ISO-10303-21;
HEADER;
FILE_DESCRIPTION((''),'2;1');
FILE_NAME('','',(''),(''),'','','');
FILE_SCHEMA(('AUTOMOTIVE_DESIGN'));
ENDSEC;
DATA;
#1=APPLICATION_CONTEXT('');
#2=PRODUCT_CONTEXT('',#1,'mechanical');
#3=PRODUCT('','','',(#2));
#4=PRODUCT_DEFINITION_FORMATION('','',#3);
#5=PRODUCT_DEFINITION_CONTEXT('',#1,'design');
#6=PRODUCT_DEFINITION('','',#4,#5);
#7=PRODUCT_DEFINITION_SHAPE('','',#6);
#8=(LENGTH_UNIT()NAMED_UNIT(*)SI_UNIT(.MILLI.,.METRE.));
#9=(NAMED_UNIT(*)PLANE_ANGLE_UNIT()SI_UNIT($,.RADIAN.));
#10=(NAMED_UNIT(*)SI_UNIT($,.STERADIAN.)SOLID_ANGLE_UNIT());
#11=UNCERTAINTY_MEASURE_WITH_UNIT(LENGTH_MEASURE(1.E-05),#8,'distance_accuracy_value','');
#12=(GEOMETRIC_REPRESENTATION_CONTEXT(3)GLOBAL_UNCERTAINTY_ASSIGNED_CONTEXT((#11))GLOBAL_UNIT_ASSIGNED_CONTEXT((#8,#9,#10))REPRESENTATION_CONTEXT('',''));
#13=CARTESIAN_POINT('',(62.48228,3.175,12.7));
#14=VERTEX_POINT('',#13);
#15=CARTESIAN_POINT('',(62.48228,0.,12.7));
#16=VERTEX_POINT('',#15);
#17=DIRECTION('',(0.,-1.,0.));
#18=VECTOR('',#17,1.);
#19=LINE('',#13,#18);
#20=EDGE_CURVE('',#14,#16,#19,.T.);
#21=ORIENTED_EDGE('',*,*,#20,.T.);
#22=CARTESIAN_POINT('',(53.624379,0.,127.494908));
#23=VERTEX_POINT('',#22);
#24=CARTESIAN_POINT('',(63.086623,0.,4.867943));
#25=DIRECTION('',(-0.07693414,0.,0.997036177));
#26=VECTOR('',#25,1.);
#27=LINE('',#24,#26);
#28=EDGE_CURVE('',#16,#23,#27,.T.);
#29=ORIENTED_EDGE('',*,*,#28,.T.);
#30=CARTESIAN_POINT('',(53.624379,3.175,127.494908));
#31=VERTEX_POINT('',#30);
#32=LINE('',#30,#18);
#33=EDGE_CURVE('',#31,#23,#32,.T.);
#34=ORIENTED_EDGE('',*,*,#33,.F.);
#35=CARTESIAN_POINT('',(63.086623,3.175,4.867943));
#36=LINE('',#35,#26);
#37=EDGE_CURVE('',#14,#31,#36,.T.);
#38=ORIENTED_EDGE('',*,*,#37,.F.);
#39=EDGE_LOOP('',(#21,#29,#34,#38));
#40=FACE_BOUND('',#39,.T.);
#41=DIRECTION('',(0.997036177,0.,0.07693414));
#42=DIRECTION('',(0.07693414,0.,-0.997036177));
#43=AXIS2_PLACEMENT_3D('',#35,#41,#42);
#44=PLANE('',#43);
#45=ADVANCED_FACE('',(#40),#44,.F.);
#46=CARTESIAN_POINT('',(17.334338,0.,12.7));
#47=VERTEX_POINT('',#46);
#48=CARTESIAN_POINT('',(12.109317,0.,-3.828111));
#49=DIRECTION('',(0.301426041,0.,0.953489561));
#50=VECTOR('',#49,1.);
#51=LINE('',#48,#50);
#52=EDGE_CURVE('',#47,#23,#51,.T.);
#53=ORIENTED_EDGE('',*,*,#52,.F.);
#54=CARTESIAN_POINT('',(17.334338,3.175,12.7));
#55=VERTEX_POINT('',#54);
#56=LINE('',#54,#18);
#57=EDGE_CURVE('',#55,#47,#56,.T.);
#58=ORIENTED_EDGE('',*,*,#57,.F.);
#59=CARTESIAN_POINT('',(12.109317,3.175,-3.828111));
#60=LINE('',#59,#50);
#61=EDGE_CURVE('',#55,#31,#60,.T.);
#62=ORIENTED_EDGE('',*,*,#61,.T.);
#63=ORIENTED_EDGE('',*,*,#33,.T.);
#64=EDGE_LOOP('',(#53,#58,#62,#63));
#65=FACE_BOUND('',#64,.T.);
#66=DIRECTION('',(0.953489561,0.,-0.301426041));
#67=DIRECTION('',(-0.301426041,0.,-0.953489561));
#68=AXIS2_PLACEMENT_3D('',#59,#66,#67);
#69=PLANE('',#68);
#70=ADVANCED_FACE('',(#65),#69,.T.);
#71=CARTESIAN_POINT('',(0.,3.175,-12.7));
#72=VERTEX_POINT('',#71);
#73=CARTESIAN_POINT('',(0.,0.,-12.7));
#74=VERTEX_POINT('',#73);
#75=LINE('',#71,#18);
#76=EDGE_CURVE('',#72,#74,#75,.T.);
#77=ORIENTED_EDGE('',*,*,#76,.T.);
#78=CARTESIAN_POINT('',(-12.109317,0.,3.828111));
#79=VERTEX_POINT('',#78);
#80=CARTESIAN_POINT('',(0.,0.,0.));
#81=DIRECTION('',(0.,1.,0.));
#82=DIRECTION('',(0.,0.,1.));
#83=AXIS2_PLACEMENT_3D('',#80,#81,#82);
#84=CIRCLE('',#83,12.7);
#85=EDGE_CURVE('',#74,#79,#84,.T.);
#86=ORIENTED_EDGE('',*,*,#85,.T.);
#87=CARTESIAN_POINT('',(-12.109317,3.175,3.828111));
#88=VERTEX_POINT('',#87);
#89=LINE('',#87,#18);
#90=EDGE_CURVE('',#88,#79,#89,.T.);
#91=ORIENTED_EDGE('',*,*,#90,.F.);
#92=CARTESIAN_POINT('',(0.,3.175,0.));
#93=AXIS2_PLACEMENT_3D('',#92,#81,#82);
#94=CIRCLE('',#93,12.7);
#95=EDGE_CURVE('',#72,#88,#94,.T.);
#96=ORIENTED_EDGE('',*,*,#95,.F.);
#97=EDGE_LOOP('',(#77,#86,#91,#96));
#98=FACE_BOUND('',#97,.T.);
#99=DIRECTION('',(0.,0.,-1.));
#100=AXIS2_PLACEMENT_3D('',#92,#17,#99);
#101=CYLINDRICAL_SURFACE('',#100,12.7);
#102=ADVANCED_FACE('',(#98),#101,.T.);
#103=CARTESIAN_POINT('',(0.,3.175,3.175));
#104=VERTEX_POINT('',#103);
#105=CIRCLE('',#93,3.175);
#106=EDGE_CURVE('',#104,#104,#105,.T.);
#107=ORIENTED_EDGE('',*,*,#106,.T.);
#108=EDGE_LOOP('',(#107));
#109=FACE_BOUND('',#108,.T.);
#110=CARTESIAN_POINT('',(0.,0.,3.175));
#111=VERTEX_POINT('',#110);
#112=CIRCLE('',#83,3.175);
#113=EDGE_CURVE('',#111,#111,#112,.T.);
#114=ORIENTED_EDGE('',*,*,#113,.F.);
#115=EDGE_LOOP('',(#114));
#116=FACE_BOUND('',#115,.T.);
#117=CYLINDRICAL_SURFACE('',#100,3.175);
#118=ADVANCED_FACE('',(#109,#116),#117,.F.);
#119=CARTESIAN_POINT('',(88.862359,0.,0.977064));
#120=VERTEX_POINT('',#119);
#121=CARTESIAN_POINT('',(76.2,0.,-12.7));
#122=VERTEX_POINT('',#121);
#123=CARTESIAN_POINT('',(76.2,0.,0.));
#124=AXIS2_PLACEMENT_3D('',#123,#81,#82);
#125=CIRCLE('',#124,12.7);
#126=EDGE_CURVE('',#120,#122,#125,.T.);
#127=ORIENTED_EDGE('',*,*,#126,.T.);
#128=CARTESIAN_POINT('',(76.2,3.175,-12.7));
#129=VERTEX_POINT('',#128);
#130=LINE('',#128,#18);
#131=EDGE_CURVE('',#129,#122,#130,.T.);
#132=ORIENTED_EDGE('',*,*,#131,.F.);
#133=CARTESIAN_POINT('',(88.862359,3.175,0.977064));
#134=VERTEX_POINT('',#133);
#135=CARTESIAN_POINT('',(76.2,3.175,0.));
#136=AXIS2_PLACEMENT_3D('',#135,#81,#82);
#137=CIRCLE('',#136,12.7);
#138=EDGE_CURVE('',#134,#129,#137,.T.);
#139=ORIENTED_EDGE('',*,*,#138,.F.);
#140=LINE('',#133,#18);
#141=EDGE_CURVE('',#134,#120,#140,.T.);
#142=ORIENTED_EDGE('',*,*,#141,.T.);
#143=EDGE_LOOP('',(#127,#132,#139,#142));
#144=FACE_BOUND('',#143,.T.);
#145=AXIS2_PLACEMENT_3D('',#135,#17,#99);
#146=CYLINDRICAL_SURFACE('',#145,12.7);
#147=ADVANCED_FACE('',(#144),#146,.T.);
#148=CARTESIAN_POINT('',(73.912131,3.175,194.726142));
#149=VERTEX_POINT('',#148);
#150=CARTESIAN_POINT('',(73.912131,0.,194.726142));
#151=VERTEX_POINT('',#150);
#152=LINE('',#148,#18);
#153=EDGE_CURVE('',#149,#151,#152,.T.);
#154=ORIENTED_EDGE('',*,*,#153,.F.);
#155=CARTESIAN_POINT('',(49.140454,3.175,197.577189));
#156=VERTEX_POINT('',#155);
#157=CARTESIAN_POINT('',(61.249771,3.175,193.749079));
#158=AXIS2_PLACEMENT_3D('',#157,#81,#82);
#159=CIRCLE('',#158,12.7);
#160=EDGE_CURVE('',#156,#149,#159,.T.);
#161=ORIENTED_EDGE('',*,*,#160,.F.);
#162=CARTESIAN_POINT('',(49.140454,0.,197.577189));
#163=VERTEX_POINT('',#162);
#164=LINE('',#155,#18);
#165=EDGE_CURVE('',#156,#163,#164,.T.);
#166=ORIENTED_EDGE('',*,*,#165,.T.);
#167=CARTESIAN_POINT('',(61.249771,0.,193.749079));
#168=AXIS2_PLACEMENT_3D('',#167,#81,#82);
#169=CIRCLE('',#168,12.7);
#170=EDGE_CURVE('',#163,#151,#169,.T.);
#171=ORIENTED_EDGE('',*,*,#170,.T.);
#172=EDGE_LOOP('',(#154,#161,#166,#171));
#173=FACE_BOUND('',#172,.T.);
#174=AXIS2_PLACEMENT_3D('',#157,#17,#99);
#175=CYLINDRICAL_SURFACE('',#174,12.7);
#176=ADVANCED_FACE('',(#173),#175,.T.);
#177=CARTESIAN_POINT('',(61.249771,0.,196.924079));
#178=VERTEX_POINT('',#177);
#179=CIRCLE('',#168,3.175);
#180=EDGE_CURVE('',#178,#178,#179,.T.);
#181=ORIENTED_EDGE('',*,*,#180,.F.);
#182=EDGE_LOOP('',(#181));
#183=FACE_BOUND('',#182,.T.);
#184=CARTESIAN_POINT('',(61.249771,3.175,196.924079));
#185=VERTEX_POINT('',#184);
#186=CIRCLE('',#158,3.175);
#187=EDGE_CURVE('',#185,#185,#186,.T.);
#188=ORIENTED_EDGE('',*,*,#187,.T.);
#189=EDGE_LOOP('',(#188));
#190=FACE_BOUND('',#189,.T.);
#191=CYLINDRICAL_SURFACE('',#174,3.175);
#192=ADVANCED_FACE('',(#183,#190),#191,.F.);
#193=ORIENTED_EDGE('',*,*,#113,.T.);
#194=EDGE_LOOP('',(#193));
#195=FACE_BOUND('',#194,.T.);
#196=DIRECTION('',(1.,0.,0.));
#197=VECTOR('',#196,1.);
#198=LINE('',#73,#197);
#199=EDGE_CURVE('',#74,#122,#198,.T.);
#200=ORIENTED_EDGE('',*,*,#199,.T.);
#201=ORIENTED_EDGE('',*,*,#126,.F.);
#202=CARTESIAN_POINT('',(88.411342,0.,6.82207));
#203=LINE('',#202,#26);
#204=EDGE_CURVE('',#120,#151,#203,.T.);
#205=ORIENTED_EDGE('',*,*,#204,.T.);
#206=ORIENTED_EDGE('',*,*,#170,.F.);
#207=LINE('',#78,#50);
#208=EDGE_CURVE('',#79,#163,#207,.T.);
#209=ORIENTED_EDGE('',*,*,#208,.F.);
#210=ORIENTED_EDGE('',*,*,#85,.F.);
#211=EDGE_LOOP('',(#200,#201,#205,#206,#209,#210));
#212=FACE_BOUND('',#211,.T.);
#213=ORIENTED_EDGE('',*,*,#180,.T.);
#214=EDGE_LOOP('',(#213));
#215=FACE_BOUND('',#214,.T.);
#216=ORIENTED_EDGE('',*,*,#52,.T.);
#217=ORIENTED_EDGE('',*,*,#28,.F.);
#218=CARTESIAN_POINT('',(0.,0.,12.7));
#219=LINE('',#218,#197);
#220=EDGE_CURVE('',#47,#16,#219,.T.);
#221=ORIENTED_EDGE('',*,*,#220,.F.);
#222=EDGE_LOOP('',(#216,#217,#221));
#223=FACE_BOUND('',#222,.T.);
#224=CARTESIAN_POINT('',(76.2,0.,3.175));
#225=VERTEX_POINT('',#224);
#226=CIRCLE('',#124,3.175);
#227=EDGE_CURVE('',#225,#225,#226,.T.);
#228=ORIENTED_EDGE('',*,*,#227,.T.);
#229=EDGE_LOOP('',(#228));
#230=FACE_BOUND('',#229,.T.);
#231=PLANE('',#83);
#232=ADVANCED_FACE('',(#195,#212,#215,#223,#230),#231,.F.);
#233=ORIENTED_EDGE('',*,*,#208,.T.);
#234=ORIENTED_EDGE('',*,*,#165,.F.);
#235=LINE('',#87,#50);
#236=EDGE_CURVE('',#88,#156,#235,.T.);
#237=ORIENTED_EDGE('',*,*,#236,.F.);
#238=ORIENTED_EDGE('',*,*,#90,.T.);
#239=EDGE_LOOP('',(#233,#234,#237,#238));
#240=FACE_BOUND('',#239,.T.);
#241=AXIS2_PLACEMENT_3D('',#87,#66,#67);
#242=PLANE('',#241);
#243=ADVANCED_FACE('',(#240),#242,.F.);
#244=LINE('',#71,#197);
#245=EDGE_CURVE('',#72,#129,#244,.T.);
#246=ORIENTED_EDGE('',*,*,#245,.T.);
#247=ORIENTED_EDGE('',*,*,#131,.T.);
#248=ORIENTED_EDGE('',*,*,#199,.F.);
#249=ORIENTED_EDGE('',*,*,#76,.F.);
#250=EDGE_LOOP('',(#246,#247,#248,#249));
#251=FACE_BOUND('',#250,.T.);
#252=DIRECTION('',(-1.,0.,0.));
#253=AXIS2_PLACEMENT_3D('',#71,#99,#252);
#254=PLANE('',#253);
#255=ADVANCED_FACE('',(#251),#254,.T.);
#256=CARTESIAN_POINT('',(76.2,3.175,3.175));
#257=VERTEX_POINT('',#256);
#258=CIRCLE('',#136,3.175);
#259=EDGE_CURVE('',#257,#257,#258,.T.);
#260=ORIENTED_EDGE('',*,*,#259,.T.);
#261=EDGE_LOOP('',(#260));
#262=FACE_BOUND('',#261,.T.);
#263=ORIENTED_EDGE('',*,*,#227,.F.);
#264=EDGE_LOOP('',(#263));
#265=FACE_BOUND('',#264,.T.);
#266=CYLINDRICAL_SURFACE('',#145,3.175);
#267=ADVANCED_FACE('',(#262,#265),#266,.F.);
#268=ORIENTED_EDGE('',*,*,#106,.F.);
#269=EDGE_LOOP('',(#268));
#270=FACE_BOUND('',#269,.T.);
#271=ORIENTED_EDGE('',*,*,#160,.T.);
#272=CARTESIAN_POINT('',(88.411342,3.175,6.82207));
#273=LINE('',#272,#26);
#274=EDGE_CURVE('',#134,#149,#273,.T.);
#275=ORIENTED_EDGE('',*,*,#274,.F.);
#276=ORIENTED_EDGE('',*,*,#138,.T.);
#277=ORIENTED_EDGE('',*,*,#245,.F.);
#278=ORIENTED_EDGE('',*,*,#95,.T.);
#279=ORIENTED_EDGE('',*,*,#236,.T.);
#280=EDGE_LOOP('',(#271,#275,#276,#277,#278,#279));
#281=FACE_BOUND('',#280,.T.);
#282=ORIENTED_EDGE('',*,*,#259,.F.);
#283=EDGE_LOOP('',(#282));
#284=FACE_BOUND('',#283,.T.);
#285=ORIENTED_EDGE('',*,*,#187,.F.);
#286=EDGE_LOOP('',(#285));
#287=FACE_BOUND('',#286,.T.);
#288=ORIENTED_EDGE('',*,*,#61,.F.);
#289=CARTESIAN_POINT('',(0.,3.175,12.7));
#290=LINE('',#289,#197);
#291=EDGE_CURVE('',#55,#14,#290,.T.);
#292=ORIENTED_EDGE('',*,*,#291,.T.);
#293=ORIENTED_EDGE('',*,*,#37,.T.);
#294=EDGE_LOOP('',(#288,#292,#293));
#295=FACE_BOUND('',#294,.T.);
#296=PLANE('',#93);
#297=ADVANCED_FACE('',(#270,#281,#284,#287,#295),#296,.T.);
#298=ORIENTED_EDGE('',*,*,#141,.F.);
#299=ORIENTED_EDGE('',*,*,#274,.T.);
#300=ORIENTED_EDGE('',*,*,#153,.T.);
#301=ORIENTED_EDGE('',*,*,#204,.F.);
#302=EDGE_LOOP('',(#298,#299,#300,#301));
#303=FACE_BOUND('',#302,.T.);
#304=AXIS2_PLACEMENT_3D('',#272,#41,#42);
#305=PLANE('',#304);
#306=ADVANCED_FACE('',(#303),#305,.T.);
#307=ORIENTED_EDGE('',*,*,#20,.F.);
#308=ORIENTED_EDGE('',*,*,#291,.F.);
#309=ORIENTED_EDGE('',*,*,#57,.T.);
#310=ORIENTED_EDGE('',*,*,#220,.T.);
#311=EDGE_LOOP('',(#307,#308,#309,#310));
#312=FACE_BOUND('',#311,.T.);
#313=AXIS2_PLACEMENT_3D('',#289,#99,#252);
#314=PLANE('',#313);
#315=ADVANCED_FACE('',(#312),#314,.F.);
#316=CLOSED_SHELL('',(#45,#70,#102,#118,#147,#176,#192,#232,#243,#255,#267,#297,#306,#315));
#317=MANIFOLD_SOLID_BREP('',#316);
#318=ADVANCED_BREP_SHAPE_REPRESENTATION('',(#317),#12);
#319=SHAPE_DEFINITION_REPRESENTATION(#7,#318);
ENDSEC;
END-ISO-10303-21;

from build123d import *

# Parameters (mm, degrees)
SKETCH1_R           = 3.175
BOSS_EXTRUDE2_DEPTH = 3.175


with BuildPart() as part:
    # Sketch1 → Boss-Extrude2 (new body)
    with BuildSketch(Plane(origin=(0, 0, 0), x_dir=(1, 0, 0), z_dir=(0, 1, 0))):
        with BuildLine():
            ThreePointArc((88.862359447, -0.977063577), (85.519300066, 8.627899298), (76.2, 12.7))
            Line((76.2, 12.7), (0, 12.7))
            ThreePointArc((0, 12.7), (-10.244681695, 7.505764249), (-12.109317419, -3.828110715))
            Line((-12.109317419, -3.828110715), (49.140454024, -197.577189418))
            ThreePointArc((49.140454024, -197.577189418), (62.701866935, -206.365790583), (73.91213089, -194.726142279))
            Line((73.91213089, -194.726142279), (88.862359447, -0.977063577))
        make_face()
        Circle(SKETCH1_R, mode=Mode.SUBTRACT)
        Polygon((17.334338412, -12.7), (62.482279527, -12.7), (53.624378759, -127.494908088), align=None, mode=Mode.SUBTRACT)
        with Locations((61.249771443, -193.749078703)):
            Circle(SKETCH1_R, mode=Mode.SUBTRACT)
        with Locations((76.2, 0)):
            Circle(SKETCH1_R, mode=Mode.SUBTRACT)
    extrude(amount=BOSS_EXTRUDE2_DEPTH)


solid = part.part
